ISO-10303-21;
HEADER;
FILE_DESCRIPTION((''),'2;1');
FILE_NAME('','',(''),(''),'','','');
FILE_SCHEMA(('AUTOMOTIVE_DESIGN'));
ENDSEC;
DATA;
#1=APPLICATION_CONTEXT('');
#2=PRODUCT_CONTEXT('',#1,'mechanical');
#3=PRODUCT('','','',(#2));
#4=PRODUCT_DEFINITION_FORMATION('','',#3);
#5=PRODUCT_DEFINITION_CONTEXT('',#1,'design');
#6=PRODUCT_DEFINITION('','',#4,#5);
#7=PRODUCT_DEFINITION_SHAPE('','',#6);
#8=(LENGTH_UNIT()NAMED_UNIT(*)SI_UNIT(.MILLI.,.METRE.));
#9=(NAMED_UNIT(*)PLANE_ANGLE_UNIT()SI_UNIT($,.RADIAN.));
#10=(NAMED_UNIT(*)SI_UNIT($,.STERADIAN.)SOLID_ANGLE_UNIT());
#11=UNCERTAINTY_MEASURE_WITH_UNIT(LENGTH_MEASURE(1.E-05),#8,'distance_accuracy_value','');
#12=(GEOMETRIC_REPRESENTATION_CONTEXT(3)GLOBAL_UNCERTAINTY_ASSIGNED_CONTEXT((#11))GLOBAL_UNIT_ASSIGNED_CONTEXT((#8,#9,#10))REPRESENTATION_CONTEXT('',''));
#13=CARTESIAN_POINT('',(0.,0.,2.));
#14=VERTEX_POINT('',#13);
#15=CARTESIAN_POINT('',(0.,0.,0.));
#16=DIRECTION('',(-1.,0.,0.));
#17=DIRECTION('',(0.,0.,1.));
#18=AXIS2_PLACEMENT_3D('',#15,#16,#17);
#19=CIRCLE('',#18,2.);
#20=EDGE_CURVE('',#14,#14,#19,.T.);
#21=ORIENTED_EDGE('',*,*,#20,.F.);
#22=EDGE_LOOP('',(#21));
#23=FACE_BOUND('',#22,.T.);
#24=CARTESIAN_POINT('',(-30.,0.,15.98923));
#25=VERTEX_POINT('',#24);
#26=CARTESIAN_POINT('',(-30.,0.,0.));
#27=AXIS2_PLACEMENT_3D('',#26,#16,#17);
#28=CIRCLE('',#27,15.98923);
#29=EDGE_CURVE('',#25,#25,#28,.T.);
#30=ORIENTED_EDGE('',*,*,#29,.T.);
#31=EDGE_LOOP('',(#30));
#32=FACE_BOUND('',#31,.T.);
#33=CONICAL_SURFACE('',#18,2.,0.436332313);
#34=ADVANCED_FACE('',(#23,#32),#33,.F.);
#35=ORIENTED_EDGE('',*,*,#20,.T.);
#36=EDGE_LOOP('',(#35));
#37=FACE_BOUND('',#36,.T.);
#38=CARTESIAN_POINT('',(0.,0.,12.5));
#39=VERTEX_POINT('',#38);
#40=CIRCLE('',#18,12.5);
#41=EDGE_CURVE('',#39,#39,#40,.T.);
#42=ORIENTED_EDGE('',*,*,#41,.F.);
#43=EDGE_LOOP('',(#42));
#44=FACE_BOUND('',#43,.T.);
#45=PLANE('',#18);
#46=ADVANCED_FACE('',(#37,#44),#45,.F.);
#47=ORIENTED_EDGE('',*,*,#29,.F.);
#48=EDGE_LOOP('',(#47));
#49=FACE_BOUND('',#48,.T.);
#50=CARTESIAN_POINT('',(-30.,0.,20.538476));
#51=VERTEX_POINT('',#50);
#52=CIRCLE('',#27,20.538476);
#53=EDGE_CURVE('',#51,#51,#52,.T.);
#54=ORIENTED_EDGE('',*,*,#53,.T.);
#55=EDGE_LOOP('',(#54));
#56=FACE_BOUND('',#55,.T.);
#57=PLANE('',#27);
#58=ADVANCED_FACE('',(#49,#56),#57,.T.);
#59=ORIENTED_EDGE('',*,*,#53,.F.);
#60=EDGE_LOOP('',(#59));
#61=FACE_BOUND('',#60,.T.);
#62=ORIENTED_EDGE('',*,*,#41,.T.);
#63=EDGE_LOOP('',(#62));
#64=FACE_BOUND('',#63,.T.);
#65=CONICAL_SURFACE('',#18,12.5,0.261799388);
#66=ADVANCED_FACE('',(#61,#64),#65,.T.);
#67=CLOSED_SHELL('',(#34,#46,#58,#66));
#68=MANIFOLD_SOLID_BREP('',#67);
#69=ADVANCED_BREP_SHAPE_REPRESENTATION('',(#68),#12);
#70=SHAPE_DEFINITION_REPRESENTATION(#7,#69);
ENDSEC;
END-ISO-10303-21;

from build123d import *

# Parameters (mm, degrees)
SKETCH4_R           = 12.5
BOSS_EXTRUDE5_DEPTH = 30
BOSS_EXTRUDE5_TAPER = -15
SKETCH4_3_R         = 2
CUT_EXTRUDE2_DEPTH  = 30
CUT_EXTRUDE2_TAPER  = -25


with BuildPart() as part:
    # Sketch4 → Boss-Extrude5 (new body)
    with BuildSketch(Plane.ZY):
        Circle(SKETCH4_R)
    extrude(amount=BOSS_EXTRUDE5_DEPTH, taper=BOSS_EXTRUDE5_TAPER)

    # Sketch4<3> → Cut-Extrude2 (cut)
    with BuildSketch(Plane.ZY):
        Circle(SKETCH4_3_R)
    extrude(amount=CUT_EXTRUDE2_DEPTH, taper=CUT_EXTRUDE2_TAPER, mode=Mode.SUBTRACT)


solid = part.part
